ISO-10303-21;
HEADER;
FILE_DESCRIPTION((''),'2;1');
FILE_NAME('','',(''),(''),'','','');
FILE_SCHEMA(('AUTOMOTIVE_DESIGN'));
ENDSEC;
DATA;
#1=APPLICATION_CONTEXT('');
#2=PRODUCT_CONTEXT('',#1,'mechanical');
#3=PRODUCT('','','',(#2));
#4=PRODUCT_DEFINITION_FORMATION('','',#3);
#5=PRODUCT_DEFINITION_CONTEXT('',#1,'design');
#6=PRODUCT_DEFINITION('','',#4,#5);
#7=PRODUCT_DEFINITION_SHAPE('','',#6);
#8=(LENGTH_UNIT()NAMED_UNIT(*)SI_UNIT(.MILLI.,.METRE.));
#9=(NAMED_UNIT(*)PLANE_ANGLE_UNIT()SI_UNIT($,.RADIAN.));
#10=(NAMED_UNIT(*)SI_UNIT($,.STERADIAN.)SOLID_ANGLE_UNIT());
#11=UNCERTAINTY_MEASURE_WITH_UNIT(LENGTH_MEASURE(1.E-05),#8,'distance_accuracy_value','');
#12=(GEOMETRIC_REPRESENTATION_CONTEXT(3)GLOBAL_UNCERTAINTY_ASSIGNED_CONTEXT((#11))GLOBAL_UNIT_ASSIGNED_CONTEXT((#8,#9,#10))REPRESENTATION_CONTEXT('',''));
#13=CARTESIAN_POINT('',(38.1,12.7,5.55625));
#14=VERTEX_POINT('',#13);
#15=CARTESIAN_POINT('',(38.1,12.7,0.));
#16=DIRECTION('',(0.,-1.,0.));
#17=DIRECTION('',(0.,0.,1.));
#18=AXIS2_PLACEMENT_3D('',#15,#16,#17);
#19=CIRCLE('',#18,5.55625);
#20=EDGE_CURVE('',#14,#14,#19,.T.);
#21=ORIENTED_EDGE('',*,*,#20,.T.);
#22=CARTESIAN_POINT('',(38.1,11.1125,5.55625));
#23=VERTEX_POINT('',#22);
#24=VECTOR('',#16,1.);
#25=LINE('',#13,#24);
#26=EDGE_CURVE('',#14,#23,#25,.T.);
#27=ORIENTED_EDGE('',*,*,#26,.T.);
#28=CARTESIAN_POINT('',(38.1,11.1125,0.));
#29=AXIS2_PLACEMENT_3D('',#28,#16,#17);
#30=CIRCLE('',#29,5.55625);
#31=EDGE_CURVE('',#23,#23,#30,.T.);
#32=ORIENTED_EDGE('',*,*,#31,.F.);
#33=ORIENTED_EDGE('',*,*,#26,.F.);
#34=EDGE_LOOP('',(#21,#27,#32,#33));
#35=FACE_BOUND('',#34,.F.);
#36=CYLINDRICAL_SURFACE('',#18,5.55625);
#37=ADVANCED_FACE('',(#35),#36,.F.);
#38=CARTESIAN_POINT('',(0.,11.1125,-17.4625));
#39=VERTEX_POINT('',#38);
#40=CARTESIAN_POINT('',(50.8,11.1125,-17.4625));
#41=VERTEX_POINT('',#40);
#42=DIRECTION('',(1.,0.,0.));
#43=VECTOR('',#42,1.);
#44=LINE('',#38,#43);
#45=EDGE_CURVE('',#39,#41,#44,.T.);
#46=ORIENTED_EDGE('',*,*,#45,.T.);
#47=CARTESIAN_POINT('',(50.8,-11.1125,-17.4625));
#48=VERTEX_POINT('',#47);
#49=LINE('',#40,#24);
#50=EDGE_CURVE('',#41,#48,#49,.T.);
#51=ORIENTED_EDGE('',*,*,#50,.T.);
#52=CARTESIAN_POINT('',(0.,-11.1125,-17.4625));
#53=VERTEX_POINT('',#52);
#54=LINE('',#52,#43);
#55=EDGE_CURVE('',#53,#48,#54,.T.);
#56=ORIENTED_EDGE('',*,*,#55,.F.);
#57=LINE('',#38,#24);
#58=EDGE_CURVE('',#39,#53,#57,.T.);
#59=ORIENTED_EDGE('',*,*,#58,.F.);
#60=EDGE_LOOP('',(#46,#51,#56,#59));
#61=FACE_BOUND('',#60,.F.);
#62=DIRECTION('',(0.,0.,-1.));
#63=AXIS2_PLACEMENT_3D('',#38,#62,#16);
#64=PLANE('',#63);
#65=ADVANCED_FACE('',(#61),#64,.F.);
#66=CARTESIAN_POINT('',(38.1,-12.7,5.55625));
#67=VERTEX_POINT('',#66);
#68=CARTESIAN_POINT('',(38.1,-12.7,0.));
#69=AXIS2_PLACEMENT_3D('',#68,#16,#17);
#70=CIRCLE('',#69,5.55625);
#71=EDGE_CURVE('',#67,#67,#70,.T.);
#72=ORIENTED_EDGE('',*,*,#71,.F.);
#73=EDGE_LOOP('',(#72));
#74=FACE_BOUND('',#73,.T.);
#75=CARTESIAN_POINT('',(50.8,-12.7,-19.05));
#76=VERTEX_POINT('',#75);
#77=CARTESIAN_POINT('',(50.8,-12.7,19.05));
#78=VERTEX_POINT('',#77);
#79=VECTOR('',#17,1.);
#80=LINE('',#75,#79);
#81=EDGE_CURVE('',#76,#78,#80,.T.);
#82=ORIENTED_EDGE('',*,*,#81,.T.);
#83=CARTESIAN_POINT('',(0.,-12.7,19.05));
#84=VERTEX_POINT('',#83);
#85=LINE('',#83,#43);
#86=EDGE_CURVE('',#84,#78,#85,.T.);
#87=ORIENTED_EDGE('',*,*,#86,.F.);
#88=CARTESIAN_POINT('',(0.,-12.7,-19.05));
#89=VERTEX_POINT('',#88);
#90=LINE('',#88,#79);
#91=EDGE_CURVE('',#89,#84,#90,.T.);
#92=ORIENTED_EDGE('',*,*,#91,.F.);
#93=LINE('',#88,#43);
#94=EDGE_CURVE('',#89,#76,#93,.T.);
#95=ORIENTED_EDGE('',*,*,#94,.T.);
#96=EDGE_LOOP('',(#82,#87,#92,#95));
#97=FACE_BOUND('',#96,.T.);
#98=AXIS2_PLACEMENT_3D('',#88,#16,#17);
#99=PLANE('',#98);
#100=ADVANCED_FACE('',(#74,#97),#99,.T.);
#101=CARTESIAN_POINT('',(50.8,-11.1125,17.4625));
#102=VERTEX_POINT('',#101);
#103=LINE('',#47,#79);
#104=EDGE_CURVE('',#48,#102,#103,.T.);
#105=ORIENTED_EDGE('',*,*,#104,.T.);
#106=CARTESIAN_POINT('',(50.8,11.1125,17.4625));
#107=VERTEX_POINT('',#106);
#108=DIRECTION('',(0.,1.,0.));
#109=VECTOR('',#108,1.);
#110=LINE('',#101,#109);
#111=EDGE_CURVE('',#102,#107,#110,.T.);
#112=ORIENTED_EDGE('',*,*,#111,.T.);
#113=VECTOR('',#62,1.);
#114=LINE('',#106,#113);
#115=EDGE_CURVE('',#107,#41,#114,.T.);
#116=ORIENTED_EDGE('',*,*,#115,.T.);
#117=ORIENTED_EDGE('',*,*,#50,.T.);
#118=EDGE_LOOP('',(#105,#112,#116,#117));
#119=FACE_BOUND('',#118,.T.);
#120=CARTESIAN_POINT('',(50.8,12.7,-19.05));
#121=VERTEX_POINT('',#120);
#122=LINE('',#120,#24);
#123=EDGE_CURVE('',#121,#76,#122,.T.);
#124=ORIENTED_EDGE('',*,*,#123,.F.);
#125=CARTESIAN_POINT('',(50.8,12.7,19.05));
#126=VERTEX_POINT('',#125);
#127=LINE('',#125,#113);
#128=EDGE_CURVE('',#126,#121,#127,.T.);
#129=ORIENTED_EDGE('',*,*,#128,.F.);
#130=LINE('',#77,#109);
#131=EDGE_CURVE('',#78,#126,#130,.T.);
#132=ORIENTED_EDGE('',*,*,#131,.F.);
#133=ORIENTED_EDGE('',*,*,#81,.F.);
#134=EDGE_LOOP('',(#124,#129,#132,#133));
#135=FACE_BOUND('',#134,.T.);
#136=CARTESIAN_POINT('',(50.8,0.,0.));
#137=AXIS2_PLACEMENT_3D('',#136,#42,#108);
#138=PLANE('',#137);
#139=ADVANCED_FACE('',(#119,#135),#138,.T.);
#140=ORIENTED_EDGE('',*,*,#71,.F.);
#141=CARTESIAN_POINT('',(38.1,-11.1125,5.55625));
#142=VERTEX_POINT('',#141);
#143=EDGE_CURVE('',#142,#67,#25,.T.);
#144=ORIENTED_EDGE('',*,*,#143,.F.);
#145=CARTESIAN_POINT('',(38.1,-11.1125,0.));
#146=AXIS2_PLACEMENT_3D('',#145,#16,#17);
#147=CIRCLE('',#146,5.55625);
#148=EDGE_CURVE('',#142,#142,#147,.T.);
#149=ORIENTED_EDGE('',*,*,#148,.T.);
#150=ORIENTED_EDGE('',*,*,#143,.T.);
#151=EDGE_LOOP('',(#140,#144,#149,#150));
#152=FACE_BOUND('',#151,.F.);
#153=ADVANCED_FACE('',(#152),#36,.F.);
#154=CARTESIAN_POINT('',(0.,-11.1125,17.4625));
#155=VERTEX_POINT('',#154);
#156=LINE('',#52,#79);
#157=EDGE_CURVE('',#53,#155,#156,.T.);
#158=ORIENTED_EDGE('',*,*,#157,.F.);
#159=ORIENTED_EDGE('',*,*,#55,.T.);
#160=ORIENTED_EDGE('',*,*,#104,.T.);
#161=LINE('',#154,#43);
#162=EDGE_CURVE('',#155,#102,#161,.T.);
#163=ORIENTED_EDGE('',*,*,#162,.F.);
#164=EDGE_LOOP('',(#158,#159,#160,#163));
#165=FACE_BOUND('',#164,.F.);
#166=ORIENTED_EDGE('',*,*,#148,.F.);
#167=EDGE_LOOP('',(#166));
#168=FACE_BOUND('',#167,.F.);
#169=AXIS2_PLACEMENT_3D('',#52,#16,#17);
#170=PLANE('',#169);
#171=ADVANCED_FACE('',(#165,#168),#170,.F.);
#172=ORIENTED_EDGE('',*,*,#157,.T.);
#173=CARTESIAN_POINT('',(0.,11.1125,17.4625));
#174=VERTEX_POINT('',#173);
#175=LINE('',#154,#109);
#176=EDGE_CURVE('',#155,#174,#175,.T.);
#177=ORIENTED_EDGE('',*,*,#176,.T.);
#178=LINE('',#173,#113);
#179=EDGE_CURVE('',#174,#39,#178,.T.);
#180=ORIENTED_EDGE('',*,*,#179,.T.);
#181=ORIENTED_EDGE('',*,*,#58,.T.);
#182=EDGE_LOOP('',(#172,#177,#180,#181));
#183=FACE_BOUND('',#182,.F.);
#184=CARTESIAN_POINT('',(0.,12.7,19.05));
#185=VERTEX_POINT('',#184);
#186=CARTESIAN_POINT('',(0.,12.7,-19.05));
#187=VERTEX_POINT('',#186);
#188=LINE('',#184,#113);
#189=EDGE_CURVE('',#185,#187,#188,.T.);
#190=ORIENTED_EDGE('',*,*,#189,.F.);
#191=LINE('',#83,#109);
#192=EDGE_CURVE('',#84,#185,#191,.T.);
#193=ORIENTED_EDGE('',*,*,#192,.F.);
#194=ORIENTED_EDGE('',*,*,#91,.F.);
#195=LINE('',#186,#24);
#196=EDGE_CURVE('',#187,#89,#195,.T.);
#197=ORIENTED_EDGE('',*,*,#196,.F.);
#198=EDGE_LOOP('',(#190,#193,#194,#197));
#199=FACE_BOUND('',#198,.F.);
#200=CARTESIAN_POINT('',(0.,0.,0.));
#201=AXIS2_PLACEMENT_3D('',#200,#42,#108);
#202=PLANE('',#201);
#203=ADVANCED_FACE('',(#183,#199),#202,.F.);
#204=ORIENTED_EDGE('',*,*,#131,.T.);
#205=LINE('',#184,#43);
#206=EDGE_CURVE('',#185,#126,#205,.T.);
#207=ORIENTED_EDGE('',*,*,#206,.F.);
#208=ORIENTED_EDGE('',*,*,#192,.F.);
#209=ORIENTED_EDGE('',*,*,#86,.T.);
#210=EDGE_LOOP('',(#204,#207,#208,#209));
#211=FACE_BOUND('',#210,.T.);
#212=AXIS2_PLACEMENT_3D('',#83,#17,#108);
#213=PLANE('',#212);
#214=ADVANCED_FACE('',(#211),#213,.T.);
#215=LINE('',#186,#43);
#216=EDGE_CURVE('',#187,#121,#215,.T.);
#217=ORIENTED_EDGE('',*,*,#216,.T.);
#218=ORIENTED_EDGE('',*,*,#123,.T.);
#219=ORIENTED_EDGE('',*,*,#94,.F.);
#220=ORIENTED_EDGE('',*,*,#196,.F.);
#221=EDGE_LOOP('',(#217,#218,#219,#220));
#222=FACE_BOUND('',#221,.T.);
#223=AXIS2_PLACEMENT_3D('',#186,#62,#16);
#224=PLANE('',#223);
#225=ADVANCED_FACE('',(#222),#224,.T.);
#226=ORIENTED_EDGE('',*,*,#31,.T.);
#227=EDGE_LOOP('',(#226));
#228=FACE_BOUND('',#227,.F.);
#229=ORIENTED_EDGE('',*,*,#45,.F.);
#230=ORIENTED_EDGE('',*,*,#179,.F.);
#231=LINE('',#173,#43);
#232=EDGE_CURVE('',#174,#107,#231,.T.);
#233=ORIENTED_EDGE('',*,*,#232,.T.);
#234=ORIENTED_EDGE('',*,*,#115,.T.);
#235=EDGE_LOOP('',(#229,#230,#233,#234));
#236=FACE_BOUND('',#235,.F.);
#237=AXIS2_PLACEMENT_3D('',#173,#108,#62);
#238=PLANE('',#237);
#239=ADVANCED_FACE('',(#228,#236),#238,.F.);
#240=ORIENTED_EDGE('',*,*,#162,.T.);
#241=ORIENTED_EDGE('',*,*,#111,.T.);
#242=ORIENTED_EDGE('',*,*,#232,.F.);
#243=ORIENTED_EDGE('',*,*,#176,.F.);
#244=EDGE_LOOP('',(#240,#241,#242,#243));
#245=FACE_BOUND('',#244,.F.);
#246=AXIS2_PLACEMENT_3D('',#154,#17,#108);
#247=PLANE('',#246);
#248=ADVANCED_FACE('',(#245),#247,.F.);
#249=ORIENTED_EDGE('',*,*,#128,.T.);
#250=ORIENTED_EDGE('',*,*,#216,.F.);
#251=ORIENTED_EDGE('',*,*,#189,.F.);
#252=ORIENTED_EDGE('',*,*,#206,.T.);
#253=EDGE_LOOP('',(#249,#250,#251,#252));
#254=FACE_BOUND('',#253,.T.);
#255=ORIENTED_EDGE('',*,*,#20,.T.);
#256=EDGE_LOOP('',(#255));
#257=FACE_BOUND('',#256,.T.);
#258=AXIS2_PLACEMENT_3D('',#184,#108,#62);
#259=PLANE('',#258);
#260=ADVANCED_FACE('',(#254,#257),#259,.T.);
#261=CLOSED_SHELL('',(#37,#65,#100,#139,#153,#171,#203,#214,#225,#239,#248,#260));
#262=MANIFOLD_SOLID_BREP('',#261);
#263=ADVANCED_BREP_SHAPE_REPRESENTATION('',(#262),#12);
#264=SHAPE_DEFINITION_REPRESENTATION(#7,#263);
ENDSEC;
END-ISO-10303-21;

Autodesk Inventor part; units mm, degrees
ref_plane "Work Plane3" through (0, 12.7, 0) normal (0, 1, 0) x (-1, 0, 0)
ref_plane "Start Plane" through (0, 0, 0) normal (1, 0, 0) x (0, 1, 0)
ref_plane "End Plane" through (50.8, 0, 0) normal (1, 0, 0) x (0, 1, 0)
sketch "Sketch" plane through (0, 0, 0) normal (1, 0, 0) x (0, 1, 0)
  line L0 (-12.7, 19.05) -> (12.7, 19.05)
  line L1 (12.7, 19.05) -> (12.7, -19.05)
  line L2 (12.7, -19.05) -> (-12.7, -19.05)
  line L3 (-12.7, -19.05) -> (-12.7, 19.05)
  line L4 (-12.7, 19.05) -> (12.7, -19.05) construction
  line L5 (12.7, 19.05) -> (-12.7, -19.05) construction
  line L6 (-11.1125, 17.4625) -> (11.1125, 17.4625)
  line L7 (11.1125, 17.4625) -> (11.1125, -17.4625)
  line L8 (11.1125, -17.4625) -> (-11.1125, -17.4625)
  line L9 (-11.1125, -17.4625) -> (-11.1125, 17.4625)
  line L10 (-11.1125, 17.4625) -> (11.1125, -17.4625) construction
  line L11 (11.1125, 17.4625) -> (-11.1125, -17.4625) construction
  point P0 (0, 0)
  dimension "d0" = 38.1
  dimension "d1" = 25.4
  dimension "d2" = 1.5875
  dimension "d3" = 1.5875
extrude "Body" add sketch "Sketch" along normal up to surface (50.8 mm away) from surface at 0
sketch "Sketch8" plane through (0, 0, 0) normal (1, 0, 0) x (0, 1, 0)
  line L0 (0, 0) -> (10, 0)
ref_plane "Work Plane6" through (0, 0, 0) normal (0, 0, -1) x (0, 1, 0)
sketch "Sketch9" plane through (0, 0, 0) normal (0, 0, -1) x (0, 1, 0)
  line L0 (-17.78, 0) -> (17.78, 0)
  line L1 (-17.78, 50.8) -> (17.78, 50.8)
  dimension "d21" = 50.8
sketch "Sketch5" plane through (0, 12.7, -19.05) normal (0, 1, 0) x (1, 0, 0)
  line L0 (0, -38.1) -> (0, 0) projected
  point P0 (0, -19.05)
  point P1 (38.1, -19.05)
  dimension "d22" = 38.1
hole "Hole2" at (38.1, 12.7, 0) direction (0, -1, 0) diameter 11.1125 end through all
equation "\"d3\" = d2"
equation "\"G_OFFSET_START\" = 0"
equation "\"G_OFFSET_END\" = 0"
equation "\"d17\" = d4 + G_OFFSET_END"
equation "\"G_L\" = d21"
equation "\"d4\" = 50.8"
properties part number "1606067192013"
